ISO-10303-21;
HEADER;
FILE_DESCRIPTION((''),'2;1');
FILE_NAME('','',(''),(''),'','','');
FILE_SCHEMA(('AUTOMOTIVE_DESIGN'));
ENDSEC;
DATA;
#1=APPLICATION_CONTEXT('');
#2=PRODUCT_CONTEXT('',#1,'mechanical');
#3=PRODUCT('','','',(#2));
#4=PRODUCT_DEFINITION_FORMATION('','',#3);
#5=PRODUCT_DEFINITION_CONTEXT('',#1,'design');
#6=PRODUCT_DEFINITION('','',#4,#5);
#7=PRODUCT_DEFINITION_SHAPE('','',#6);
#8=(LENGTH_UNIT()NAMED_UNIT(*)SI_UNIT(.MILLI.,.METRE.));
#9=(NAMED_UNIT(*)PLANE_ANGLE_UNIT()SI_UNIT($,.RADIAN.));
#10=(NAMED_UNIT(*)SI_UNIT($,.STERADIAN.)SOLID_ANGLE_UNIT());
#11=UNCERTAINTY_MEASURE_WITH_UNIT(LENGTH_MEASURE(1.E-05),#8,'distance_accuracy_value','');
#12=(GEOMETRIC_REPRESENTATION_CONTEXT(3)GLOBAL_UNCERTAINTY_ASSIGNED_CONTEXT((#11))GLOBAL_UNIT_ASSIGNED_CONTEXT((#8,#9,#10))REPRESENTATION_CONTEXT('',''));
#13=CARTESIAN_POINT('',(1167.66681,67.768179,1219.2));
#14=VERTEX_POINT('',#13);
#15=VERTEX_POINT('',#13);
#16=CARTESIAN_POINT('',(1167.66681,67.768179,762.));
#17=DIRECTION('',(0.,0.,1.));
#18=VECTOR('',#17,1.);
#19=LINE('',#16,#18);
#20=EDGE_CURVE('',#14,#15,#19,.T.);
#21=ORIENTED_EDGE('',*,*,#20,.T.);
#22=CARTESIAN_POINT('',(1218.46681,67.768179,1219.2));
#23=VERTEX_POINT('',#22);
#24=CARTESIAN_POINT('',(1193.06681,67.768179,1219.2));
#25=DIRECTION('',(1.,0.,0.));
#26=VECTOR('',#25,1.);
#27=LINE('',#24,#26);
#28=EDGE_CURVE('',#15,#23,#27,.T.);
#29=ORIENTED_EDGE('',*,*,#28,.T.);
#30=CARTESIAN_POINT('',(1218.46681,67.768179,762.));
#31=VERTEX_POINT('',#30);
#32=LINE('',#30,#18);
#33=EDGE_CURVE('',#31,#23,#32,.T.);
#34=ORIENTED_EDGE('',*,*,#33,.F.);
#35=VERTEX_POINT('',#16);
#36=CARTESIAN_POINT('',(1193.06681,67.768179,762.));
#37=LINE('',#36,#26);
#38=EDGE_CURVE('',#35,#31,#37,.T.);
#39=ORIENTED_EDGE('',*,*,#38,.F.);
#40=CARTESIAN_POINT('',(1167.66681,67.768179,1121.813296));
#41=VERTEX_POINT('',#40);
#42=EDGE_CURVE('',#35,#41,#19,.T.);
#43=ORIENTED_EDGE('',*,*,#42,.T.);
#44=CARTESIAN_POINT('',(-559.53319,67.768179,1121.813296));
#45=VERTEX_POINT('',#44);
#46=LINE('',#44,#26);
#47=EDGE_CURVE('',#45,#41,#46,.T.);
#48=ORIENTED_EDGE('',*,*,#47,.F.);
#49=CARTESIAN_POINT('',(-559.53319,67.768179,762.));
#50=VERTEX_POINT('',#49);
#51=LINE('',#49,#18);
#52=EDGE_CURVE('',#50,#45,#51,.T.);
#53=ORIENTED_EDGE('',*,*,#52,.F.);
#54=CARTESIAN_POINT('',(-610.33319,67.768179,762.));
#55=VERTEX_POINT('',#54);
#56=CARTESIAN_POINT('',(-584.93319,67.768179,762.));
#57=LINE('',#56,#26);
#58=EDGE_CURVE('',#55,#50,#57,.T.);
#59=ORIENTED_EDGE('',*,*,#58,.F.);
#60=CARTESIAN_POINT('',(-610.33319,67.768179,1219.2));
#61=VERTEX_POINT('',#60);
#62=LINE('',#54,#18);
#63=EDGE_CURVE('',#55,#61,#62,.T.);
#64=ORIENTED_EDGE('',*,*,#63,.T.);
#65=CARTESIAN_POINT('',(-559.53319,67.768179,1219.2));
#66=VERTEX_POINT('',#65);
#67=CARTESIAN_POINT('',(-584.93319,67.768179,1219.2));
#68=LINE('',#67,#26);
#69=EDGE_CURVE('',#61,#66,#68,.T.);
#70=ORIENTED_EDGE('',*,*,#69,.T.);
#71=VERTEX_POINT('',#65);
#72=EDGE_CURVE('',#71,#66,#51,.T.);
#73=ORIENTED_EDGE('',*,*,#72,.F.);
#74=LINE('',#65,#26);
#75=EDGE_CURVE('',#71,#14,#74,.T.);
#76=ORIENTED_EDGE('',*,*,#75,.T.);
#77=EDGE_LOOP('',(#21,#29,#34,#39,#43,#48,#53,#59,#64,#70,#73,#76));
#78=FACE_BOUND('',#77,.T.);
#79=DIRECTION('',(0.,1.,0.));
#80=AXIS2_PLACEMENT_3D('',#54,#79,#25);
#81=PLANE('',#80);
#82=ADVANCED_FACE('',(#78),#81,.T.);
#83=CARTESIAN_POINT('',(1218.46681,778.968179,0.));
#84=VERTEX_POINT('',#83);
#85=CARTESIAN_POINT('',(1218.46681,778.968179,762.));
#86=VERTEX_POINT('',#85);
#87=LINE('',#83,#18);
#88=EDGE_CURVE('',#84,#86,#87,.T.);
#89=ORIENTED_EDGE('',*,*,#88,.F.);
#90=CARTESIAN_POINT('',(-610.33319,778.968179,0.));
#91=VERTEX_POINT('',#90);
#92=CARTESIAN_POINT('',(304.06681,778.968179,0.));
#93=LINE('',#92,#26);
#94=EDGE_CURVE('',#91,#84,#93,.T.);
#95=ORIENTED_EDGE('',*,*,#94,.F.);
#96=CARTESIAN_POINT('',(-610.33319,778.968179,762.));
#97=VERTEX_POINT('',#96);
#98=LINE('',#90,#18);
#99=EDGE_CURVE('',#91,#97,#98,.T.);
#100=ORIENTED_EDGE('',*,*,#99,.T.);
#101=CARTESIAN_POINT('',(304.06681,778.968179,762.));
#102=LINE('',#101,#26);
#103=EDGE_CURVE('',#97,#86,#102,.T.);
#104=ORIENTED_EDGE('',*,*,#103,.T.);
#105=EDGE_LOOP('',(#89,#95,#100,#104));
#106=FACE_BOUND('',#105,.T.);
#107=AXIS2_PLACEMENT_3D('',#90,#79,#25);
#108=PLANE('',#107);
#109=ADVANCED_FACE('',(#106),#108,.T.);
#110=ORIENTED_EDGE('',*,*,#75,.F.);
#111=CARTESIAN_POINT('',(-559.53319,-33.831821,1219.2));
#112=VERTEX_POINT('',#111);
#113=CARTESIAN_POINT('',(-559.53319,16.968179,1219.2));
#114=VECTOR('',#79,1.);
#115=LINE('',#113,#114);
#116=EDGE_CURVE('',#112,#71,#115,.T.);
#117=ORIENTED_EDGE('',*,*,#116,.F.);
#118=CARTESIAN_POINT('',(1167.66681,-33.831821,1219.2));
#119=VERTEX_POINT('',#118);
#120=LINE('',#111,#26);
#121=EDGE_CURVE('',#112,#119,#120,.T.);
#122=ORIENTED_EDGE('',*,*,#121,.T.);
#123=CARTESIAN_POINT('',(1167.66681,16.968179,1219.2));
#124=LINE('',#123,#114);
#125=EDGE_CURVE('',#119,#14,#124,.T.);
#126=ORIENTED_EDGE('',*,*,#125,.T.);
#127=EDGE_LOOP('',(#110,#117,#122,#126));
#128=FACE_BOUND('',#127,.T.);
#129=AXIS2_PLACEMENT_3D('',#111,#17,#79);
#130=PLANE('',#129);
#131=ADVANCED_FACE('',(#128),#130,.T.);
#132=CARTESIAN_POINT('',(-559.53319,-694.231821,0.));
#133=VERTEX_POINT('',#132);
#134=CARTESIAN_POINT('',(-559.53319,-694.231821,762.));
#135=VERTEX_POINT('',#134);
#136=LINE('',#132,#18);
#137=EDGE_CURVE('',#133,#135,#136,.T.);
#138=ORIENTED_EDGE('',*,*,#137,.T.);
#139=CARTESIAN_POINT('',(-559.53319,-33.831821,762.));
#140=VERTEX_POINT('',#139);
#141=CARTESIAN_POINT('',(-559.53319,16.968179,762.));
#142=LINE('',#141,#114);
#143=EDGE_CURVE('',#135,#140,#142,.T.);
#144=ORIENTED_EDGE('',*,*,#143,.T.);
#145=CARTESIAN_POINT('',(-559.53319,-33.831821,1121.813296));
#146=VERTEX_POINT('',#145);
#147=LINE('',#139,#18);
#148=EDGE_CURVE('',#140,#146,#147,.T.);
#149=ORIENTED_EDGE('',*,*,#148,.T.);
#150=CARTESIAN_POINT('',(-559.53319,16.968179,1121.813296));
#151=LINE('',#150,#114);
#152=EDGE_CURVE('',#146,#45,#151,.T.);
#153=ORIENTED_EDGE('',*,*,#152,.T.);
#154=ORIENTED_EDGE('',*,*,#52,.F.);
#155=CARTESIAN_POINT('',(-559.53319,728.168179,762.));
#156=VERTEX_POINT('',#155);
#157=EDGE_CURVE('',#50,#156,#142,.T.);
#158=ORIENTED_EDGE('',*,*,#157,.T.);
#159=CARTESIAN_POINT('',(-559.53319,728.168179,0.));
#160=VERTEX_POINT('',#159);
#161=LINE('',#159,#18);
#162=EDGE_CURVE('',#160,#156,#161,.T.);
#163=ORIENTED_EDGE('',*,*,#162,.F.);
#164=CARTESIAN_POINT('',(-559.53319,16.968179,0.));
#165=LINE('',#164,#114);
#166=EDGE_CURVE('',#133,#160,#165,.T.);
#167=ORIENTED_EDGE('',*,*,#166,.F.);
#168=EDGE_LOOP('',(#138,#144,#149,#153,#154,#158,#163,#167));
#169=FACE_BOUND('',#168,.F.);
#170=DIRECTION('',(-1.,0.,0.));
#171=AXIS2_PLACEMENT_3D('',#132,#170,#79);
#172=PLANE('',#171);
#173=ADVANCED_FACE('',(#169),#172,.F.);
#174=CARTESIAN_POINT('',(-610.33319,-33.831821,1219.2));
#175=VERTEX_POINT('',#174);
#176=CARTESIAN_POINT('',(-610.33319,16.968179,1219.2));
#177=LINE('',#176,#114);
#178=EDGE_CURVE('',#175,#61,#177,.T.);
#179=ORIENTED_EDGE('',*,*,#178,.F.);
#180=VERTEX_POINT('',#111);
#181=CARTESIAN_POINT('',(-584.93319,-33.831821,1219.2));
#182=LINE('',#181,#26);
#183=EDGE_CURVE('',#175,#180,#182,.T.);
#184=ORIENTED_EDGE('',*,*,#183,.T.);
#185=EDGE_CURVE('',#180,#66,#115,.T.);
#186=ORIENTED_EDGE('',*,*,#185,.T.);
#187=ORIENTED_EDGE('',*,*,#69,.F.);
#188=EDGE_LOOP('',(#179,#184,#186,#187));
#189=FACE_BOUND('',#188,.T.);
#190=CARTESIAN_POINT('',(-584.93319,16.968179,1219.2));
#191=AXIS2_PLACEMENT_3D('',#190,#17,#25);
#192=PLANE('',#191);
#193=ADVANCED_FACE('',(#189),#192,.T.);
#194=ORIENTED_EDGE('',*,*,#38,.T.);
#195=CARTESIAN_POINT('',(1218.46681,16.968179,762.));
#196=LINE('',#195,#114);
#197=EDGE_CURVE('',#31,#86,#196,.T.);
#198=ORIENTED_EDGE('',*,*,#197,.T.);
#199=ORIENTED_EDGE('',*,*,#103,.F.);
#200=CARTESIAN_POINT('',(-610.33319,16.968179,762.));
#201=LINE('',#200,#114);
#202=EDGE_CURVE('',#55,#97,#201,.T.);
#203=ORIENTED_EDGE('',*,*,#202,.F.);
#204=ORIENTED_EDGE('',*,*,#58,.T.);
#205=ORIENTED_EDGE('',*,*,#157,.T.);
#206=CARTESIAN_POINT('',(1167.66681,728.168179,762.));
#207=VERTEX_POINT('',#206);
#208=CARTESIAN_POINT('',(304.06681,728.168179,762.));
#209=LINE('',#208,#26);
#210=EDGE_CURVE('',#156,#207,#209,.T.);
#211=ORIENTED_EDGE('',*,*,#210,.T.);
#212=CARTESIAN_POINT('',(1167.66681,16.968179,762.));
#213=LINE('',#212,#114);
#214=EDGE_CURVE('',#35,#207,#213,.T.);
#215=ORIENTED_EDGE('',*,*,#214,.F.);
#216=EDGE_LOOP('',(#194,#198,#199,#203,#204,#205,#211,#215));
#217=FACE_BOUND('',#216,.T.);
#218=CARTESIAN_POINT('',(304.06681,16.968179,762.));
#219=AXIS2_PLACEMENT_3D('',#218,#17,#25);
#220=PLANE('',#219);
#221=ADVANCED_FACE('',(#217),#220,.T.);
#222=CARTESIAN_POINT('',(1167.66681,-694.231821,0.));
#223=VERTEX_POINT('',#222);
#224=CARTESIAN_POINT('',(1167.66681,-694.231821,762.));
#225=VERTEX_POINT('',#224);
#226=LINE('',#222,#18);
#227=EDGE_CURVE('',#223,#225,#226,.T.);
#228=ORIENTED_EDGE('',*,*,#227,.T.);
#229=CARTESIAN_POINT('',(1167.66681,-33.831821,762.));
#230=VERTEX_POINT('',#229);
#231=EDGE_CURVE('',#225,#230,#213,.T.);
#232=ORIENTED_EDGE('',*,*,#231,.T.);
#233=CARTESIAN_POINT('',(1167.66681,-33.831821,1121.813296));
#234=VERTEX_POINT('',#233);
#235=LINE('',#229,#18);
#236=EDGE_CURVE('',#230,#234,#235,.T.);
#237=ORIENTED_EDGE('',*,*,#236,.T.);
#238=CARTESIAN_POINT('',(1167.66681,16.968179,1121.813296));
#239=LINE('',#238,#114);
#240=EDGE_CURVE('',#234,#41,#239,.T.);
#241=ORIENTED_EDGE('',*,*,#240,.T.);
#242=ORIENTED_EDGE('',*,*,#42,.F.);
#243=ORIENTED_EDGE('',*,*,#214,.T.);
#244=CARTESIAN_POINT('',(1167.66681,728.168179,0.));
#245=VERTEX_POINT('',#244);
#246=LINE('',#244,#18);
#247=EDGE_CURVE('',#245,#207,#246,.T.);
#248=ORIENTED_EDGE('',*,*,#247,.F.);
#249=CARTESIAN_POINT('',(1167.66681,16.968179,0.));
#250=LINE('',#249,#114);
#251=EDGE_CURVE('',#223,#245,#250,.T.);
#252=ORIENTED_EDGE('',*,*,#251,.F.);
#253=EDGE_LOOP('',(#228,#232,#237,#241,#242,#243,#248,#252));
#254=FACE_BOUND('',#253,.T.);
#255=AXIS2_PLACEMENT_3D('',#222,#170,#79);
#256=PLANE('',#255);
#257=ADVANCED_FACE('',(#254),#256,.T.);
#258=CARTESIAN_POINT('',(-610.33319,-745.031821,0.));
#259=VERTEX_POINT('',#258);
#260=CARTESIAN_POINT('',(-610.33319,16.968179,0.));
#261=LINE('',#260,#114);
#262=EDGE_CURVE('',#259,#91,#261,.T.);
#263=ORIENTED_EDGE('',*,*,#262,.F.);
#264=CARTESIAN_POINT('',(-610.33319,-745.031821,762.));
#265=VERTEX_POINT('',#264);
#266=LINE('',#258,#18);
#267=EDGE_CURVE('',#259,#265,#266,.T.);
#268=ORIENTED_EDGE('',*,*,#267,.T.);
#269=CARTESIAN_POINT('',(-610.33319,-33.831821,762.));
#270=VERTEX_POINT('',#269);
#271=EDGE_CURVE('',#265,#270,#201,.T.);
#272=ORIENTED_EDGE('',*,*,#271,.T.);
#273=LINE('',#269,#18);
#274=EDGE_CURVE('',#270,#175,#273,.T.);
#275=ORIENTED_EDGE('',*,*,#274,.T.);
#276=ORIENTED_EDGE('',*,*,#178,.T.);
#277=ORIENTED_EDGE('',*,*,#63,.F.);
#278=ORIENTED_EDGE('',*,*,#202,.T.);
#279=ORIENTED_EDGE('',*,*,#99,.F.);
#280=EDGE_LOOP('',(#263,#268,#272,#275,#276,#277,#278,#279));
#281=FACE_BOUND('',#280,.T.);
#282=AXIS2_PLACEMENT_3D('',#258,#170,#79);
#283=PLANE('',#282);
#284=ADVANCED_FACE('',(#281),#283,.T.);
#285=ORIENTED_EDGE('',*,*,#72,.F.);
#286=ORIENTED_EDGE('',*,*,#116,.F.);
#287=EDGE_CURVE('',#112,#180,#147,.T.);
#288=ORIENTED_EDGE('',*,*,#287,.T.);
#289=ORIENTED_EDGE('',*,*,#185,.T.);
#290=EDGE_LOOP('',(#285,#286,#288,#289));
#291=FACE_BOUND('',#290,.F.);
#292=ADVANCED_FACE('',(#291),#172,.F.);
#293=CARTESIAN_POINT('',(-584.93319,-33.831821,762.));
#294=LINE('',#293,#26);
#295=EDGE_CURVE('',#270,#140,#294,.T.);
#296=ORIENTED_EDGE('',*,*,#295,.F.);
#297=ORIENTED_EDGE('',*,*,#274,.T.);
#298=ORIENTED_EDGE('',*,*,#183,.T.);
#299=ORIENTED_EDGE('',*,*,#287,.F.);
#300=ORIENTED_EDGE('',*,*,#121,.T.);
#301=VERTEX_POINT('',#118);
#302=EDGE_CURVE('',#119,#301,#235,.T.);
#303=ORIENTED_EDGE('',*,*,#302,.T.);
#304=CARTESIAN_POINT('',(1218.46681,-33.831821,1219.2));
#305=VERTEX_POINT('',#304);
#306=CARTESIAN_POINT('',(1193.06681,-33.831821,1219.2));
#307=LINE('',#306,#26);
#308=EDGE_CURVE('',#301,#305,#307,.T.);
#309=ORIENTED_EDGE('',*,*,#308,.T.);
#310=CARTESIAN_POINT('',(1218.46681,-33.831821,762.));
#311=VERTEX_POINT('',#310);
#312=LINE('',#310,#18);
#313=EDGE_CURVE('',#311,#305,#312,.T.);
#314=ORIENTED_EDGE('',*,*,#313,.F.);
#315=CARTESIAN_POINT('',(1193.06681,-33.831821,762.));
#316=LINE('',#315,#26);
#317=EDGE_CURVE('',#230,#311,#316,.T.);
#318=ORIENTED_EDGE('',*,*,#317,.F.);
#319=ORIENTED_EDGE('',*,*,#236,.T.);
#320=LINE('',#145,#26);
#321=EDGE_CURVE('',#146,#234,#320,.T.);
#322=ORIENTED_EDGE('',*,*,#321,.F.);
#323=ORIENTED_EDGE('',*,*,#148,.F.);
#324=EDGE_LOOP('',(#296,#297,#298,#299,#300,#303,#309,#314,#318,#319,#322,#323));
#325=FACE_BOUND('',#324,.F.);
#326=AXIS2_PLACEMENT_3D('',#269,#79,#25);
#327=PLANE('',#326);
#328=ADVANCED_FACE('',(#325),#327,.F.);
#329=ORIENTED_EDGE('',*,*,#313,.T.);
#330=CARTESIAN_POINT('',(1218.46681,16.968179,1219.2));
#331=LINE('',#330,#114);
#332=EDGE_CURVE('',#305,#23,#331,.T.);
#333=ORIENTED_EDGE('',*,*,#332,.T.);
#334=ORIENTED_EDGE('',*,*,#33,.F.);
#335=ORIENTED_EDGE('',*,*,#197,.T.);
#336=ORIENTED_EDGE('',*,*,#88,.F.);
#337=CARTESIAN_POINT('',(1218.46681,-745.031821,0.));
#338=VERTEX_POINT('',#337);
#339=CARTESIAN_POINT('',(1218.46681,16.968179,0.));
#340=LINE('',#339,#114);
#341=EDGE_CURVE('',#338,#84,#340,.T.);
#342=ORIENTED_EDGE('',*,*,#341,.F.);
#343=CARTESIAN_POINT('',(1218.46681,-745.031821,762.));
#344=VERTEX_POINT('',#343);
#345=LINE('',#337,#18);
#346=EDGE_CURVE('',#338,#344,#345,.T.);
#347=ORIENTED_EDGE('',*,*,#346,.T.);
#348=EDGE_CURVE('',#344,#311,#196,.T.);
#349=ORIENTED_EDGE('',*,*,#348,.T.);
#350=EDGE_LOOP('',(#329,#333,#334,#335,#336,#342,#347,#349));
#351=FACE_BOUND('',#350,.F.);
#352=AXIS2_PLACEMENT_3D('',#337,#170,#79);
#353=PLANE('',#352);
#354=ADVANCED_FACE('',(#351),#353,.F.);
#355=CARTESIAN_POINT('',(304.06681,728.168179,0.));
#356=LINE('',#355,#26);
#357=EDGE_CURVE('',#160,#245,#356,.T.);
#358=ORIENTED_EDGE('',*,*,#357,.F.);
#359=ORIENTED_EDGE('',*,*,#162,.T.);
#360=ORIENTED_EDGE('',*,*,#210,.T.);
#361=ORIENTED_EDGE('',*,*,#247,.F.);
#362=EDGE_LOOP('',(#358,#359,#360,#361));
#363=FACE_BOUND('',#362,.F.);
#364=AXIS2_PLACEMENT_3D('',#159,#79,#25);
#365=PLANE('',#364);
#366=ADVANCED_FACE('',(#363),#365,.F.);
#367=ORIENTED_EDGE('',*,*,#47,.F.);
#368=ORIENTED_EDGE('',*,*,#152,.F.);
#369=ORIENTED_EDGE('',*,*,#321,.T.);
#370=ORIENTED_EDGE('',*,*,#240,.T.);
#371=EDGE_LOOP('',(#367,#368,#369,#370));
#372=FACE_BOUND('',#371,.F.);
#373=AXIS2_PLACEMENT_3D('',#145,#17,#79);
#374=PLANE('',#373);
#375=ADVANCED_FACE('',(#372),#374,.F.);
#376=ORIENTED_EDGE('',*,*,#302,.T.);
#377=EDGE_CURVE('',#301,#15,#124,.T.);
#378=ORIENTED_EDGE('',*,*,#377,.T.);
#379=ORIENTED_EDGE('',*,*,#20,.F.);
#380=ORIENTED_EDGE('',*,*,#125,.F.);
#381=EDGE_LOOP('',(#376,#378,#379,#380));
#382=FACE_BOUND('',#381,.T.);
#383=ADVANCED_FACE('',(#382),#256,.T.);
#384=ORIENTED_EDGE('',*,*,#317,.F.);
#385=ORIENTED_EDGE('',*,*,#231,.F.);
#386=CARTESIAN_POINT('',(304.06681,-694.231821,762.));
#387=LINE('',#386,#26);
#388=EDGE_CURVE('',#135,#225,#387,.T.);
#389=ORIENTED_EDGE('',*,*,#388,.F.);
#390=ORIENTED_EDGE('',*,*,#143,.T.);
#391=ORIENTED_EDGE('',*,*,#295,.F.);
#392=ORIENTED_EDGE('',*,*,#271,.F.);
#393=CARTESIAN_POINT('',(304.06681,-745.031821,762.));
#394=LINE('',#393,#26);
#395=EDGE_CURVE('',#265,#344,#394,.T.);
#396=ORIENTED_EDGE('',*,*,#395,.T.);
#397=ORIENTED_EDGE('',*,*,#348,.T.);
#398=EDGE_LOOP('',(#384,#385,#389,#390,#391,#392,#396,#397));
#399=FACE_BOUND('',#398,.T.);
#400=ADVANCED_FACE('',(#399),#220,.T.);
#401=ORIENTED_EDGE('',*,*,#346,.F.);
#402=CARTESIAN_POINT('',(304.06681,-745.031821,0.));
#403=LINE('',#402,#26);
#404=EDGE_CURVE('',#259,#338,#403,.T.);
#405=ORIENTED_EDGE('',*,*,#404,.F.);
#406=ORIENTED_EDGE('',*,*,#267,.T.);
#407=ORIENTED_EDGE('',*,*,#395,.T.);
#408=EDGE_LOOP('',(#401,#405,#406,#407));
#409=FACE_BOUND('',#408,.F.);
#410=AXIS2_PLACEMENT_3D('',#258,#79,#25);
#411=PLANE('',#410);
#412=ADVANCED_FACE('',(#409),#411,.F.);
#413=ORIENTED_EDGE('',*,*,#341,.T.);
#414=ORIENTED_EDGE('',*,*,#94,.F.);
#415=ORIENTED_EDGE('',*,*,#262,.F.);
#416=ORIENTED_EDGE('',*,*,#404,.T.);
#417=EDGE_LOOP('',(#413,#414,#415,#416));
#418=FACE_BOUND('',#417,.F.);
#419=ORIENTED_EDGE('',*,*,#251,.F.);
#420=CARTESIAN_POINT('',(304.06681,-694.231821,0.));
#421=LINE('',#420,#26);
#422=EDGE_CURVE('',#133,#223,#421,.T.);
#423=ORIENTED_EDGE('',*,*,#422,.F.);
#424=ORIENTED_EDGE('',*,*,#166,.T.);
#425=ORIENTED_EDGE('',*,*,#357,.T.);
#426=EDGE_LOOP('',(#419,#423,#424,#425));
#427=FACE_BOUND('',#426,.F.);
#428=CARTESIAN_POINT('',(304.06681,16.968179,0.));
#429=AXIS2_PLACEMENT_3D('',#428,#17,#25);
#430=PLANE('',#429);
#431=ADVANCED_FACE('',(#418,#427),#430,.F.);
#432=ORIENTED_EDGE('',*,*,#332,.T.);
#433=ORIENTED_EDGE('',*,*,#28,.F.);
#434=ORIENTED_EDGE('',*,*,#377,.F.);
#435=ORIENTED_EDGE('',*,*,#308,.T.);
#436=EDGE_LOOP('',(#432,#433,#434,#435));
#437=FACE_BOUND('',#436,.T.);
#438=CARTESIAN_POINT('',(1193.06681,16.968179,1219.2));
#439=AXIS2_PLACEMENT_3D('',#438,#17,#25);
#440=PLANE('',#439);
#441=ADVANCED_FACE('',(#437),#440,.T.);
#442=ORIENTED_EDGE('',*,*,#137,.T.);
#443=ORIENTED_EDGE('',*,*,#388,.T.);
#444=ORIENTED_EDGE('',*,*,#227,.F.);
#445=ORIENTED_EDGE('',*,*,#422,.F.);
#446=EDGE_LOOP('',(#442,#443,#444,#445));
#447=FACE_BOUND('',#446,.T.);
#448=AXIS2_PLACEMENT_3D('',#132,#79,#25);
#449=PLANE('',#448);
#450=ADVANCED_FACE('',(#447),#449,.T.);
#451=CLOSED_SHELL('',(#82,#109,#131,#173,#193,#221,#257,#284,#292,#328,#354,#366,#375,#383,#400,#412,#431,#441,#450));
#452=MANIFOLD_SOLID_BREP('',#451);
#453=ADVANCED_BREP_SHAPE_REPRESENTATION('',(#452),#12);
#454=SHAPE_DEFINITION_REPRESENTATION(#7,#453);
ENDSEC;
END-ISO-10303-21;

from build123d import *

# Parameters (mm, degrees)
F0_W     = 1828.8
F0_H     = 1524
F0_W_2   = 1727.2
F0_H_2   = 1422.4
F1_DEPTH = 762
F2_W     = 50.8
F2_H     = 101.6
F3_DEPTH = 457.2
F4_W     = 101.6
F4_H     = 97.386703
F5_DEPTH = 1727.2


with BuildPart() as f1:
    # F0 (on Top) → F1 (new body)
    with BuildSketch(Plane.XY):
        with Locations((304.06681, 16.968179)):
            Rectangle(F0_W, F0_H)
        with Locations((304.06681, 16.968179)):
            Rectangle(F0_W_2, F0_H_2, mode=Mode.SUBTRACT)
    extrude(amount=F1_DEPTH)

    # F2 (on face) → F3 (join)
    with BuildSketch(Plane.XY.offset(762)):
        with Locations((-584.93319, 16.968179)):
            Rectangle(F2_W, F2_H)
        with Locations((1193.06681, 16.968179)):
            Rectangle(F2_W, F2_H)
    extrude(amount=F3_DEPTH)

    # F4 (on face) → F5 (join, through all)
    with BuildSketch(Plane.YZ.offset(-559.53319)):
        with Locations((16.968179, 1170.506648)):
            Rectangle(F4_W, F4_H)
    extrude(amount=F5_DEPTH)


solid = f1.part
